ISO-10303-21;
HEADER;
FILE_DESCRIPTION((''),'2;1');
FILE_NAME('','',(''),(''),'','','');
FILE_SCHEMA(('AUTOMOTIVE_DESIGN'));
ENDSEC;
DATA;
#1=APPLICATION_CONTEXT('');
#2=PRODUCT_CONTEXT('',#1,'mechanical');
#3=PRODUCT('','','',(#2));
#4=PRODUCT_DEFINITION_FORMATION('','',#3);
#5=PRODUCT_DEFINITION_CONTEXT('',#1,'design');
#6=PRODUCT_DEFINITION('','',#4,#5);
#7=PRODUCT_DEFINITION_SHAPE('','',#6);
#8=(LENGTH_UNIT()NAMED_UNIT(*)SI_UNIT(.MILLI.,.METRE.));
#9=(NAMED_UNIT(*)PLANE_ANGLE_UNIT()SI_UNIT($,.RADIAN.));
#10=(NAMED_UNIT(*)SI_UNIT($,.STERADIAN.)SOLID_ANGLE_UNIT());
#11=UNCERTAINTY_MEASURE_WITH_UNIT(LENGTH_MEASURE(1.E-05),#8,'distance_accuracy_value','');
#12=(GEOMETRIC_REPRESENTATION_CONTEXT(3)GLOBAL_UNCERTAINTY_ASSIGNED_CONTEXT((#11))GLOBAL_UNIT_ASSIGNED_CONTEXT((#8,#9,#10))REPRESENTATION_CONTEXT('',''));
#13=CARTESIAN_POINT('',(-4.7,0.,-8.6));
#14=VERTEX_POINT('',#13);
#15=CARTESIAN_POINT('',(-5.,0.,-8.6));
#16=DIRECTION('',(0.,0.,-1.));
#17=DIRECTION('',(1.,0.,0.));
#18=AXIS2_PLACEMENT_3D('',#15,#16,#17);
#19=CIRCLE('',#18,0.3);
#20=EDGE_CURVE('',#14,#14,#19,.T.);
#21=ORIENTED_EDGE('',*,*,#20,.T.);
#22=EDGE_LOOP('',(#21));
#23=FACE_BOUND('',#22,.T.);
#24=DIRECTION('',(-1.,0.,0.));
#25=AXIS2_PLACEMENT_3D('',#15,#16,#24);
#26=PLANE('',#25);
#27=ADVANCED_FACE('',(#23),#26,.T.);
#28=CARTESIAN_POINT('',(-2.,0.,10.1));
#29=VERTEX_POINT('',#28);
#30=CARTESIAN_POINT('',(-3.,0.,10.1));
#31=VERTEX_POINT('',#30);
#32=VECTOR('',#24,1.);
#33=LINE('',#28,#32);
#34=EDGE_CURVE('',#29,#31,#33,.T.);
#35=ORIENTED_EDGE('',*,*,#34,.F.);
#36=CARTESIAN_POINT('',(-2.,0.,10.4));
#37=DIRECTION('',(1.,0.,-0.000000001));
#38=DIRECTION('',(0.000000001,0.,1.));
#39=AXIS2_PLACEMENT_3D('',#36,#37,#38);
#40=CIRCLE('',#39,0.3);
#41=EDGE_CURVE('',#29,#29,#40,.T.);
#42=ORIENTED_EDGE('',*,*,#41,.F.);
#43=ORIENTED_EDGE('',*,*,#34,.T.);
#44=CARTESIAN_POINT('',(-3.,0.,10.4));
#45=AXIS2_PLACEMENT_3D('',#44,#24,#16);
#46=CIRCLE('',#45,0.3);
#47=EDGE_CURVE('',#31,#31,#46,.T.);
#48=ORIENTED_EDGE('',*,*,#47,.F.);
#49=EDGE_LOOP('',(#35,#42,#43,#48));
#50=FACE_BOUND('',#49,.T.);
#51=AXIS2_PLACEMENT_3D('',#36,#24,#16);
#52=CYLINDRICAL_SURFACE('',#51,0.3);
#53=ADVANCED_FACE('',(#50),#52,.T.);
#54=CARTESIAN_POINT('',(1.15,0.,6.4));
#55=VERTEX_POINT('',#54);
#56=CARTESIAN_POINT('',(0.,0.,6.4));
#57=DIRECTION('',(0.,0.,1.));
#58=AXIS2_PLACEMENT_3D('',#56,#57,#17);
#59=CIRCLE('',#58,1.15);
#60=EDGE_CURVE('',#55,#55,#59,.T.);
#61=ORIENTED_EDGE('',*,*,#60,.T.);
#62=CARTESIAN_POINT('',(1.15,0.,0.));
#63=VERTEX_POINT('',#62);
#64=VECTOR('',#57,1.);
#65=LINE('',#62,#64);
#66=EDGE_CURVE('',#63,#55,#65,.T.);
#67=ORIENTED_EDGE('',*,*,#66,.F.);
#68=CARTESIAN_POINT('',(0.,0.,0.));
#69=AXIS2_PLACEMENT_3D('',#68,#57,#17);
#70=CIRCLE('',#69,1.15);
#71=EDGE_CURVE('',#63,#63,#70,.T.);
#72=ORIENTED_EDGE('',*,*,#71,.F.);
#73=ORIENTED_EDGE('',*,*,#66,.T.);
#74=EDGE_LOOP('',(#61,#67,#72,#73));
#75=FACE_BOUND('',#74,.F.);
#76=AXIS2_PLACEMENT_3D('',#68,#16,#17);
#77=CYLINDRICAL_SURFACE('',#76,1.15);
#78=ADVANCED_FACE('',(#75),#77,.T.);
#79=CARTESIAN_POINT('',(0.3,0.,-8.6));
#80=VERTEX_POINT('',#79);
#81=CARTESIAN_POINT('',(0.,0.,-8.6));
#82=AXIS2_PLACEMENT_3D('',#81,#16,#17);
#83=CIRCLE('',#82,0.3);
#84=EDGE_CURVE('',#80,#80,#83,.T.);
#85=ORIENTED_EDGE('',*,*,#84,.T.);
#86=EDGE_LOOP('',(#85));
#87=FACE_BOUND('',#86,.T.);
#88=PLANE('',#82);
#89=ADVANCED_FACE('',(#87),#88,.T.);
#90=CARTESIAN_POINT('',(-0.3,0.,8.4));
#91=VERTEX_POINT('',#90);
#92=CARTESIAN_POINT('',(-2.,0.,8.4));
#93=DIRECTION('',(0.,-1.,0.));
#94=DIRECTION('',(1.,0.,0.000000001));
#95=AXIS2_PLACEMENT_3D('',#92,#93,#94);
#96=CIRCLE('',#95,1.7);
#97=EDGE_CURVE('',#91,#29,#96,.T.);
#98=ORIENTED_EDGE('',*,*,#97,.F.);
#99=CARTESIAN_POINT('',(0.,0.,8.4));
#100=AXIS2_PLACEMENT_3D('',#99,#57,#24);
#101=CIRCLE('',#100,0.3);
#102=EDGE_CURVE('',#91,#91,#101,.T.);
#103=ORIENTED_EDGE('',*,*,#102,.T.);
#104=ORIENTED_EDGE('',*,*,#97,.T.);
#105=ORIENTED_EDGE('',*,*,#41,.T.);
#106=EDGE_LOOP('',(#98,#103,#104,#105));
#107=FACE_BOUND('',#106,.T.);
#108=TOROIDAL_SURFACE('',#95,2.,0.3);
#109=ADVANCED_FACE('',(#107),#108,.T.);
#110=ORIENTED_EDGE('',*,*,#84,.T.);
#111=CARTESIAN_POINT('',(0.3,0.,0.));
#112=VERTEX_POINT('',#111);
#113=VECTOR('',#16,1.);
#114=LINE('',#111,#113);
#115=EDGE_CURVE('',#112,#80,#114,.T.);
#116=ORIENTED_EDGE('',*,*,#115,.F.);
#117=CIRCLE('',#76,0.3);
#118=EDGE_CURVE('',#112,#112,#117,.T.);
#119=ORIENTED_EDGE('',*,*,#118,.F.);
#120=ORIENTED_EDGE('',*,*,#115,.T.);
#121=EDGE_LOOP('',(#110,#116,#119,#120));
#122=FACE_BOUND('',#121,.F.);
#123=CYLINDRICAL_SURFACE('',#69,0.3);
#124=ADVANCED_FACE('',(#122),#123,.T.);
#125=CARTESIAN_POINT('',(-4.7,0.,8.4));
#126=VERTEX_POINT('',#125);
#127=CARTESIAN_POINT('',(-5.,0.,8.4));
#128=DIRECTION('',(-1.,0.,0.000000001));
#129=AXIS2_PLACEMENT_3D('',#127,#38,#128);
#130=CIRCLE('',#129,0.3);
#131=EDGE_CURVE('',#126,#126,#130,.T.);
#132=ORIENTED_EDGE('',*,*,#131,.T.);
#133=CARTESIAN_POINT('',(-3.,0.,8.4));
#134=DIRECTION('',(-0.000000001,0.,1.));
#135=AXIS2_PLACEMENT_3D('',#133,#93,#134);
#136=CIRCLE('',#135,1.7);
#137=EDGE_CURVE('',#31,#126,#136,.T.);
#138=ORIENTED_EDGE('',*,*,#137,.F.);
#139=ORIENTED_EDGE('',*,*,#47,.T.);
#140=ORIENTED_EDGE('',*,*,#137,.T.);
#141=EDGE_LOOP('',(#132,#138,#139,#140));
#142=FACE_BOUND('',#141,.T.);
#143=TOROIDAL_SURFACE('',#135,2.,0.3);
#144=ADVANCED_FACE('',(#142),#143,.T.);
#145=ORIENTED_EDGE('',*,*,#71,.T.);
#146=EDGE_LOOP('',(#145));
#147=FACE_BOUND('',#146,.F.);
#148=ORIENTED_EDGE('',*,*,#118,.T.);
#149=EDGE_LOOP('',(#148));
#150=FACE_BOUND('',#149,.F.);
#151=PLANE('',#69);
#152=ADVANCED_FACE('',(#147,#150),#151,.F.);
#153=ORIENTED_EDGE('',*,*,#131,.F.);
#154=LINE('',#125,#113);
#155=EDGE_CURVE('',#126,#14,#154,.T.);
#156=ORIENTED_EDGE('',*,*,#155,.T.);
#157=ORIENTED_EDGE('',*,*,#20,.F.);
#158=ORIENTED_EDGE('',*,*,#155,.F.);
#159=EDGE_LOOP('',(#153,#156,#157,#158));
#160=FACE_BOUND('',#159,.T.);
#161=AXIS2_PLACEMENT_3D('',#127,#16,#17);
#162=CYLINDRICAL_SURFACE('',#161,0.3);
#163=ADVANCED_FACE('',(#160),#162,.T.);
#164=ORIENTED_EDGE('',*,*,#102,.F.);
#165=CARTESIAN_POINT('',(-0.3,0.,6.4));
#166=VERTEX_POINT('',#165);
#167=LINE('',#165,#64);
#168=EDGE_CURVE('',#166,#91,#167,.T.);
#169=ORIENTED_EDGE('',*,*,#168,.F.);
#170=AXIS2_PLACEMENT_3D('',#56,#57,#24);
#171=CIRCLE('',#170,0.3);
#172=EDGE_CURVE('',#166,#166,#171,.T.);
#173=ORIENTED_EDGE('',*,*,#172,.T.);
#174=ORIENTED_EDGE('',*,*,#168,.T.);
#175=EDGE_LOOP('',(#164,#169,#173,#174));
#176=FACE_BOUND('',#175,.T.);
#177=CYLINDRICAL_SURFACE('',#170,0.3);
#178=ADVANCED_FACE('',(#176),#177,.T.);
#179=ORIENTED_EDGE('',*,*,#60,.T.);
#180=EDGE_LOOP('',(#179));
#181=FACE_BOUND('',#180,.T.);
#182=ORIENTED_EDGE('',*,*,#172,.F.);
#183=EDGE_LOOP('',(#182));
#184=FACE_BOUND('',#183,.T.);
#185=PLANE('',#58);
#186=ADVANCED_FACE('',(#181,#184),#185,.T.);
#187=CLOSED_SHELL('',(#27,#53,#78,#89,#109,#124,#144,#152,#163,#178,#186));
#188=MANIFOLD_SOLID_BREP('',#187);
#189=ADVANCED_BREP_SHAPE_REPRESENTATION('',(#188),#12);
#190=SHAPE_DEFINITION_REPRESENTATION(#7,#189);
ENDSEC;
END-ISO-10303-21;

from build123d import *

# Parameters (mm, degrees)
SKETCH2_R           = 1.15
RESISTOR_BODY_DEPTH = 6.4
LEAD1_PROFILE_R     = 0.3
SKETCH6_R           = 0.3
LEAD2_DEPTH         = 8.6


with BuildPart() as part:
    # Sketch2 → Resistor Body (new body)
    with BuildSketch(Plane.XY):
        Circle(SKETCH2_R)
    extrude(amount=RESISTOR_BODY_DEPTH)

    # Lead1: sweep along a path in Lead1 Path
    with BuildLine(Plane(origin=(0, 0, 0), x_dir=(-1, 0, 0), z_dir=(0, -1, 0))) as lead1_path:
        Line((0, -6.4), (0, -8.4))
        ThreePointArc((0, -8.4), (0.585786438, -9.814213562), (2, -10.4))
        Line((2, -10.4), (3, -10.4))
        ThreePointArc((3, -10.4), (4.414213562, -9.814213562), (5, -8.4))
        Line((5, -8.4), (5, 8.6))
    # Lead1 Profile → Lead1 (sweep)
    with BuildSketch(Plane(origin=(0, 0, 6.4), x_dir=(-1, 0, 0), z_dir=(0, 0, 1))):
        Circle(LEAD1_PROFILE_R)
    sweep(path=lead1_path.line)

    # Sketch6 → Lead2 (add)
    with BuildSketch(Plane(origin=(0, 0, 0), x_dir=(1, 0, 0), z_dir=(0, 0, -1))):
        Circle(SKETCH6_R)
    extrude(amount=LEAD2_DEPTH)


solid = part.part
